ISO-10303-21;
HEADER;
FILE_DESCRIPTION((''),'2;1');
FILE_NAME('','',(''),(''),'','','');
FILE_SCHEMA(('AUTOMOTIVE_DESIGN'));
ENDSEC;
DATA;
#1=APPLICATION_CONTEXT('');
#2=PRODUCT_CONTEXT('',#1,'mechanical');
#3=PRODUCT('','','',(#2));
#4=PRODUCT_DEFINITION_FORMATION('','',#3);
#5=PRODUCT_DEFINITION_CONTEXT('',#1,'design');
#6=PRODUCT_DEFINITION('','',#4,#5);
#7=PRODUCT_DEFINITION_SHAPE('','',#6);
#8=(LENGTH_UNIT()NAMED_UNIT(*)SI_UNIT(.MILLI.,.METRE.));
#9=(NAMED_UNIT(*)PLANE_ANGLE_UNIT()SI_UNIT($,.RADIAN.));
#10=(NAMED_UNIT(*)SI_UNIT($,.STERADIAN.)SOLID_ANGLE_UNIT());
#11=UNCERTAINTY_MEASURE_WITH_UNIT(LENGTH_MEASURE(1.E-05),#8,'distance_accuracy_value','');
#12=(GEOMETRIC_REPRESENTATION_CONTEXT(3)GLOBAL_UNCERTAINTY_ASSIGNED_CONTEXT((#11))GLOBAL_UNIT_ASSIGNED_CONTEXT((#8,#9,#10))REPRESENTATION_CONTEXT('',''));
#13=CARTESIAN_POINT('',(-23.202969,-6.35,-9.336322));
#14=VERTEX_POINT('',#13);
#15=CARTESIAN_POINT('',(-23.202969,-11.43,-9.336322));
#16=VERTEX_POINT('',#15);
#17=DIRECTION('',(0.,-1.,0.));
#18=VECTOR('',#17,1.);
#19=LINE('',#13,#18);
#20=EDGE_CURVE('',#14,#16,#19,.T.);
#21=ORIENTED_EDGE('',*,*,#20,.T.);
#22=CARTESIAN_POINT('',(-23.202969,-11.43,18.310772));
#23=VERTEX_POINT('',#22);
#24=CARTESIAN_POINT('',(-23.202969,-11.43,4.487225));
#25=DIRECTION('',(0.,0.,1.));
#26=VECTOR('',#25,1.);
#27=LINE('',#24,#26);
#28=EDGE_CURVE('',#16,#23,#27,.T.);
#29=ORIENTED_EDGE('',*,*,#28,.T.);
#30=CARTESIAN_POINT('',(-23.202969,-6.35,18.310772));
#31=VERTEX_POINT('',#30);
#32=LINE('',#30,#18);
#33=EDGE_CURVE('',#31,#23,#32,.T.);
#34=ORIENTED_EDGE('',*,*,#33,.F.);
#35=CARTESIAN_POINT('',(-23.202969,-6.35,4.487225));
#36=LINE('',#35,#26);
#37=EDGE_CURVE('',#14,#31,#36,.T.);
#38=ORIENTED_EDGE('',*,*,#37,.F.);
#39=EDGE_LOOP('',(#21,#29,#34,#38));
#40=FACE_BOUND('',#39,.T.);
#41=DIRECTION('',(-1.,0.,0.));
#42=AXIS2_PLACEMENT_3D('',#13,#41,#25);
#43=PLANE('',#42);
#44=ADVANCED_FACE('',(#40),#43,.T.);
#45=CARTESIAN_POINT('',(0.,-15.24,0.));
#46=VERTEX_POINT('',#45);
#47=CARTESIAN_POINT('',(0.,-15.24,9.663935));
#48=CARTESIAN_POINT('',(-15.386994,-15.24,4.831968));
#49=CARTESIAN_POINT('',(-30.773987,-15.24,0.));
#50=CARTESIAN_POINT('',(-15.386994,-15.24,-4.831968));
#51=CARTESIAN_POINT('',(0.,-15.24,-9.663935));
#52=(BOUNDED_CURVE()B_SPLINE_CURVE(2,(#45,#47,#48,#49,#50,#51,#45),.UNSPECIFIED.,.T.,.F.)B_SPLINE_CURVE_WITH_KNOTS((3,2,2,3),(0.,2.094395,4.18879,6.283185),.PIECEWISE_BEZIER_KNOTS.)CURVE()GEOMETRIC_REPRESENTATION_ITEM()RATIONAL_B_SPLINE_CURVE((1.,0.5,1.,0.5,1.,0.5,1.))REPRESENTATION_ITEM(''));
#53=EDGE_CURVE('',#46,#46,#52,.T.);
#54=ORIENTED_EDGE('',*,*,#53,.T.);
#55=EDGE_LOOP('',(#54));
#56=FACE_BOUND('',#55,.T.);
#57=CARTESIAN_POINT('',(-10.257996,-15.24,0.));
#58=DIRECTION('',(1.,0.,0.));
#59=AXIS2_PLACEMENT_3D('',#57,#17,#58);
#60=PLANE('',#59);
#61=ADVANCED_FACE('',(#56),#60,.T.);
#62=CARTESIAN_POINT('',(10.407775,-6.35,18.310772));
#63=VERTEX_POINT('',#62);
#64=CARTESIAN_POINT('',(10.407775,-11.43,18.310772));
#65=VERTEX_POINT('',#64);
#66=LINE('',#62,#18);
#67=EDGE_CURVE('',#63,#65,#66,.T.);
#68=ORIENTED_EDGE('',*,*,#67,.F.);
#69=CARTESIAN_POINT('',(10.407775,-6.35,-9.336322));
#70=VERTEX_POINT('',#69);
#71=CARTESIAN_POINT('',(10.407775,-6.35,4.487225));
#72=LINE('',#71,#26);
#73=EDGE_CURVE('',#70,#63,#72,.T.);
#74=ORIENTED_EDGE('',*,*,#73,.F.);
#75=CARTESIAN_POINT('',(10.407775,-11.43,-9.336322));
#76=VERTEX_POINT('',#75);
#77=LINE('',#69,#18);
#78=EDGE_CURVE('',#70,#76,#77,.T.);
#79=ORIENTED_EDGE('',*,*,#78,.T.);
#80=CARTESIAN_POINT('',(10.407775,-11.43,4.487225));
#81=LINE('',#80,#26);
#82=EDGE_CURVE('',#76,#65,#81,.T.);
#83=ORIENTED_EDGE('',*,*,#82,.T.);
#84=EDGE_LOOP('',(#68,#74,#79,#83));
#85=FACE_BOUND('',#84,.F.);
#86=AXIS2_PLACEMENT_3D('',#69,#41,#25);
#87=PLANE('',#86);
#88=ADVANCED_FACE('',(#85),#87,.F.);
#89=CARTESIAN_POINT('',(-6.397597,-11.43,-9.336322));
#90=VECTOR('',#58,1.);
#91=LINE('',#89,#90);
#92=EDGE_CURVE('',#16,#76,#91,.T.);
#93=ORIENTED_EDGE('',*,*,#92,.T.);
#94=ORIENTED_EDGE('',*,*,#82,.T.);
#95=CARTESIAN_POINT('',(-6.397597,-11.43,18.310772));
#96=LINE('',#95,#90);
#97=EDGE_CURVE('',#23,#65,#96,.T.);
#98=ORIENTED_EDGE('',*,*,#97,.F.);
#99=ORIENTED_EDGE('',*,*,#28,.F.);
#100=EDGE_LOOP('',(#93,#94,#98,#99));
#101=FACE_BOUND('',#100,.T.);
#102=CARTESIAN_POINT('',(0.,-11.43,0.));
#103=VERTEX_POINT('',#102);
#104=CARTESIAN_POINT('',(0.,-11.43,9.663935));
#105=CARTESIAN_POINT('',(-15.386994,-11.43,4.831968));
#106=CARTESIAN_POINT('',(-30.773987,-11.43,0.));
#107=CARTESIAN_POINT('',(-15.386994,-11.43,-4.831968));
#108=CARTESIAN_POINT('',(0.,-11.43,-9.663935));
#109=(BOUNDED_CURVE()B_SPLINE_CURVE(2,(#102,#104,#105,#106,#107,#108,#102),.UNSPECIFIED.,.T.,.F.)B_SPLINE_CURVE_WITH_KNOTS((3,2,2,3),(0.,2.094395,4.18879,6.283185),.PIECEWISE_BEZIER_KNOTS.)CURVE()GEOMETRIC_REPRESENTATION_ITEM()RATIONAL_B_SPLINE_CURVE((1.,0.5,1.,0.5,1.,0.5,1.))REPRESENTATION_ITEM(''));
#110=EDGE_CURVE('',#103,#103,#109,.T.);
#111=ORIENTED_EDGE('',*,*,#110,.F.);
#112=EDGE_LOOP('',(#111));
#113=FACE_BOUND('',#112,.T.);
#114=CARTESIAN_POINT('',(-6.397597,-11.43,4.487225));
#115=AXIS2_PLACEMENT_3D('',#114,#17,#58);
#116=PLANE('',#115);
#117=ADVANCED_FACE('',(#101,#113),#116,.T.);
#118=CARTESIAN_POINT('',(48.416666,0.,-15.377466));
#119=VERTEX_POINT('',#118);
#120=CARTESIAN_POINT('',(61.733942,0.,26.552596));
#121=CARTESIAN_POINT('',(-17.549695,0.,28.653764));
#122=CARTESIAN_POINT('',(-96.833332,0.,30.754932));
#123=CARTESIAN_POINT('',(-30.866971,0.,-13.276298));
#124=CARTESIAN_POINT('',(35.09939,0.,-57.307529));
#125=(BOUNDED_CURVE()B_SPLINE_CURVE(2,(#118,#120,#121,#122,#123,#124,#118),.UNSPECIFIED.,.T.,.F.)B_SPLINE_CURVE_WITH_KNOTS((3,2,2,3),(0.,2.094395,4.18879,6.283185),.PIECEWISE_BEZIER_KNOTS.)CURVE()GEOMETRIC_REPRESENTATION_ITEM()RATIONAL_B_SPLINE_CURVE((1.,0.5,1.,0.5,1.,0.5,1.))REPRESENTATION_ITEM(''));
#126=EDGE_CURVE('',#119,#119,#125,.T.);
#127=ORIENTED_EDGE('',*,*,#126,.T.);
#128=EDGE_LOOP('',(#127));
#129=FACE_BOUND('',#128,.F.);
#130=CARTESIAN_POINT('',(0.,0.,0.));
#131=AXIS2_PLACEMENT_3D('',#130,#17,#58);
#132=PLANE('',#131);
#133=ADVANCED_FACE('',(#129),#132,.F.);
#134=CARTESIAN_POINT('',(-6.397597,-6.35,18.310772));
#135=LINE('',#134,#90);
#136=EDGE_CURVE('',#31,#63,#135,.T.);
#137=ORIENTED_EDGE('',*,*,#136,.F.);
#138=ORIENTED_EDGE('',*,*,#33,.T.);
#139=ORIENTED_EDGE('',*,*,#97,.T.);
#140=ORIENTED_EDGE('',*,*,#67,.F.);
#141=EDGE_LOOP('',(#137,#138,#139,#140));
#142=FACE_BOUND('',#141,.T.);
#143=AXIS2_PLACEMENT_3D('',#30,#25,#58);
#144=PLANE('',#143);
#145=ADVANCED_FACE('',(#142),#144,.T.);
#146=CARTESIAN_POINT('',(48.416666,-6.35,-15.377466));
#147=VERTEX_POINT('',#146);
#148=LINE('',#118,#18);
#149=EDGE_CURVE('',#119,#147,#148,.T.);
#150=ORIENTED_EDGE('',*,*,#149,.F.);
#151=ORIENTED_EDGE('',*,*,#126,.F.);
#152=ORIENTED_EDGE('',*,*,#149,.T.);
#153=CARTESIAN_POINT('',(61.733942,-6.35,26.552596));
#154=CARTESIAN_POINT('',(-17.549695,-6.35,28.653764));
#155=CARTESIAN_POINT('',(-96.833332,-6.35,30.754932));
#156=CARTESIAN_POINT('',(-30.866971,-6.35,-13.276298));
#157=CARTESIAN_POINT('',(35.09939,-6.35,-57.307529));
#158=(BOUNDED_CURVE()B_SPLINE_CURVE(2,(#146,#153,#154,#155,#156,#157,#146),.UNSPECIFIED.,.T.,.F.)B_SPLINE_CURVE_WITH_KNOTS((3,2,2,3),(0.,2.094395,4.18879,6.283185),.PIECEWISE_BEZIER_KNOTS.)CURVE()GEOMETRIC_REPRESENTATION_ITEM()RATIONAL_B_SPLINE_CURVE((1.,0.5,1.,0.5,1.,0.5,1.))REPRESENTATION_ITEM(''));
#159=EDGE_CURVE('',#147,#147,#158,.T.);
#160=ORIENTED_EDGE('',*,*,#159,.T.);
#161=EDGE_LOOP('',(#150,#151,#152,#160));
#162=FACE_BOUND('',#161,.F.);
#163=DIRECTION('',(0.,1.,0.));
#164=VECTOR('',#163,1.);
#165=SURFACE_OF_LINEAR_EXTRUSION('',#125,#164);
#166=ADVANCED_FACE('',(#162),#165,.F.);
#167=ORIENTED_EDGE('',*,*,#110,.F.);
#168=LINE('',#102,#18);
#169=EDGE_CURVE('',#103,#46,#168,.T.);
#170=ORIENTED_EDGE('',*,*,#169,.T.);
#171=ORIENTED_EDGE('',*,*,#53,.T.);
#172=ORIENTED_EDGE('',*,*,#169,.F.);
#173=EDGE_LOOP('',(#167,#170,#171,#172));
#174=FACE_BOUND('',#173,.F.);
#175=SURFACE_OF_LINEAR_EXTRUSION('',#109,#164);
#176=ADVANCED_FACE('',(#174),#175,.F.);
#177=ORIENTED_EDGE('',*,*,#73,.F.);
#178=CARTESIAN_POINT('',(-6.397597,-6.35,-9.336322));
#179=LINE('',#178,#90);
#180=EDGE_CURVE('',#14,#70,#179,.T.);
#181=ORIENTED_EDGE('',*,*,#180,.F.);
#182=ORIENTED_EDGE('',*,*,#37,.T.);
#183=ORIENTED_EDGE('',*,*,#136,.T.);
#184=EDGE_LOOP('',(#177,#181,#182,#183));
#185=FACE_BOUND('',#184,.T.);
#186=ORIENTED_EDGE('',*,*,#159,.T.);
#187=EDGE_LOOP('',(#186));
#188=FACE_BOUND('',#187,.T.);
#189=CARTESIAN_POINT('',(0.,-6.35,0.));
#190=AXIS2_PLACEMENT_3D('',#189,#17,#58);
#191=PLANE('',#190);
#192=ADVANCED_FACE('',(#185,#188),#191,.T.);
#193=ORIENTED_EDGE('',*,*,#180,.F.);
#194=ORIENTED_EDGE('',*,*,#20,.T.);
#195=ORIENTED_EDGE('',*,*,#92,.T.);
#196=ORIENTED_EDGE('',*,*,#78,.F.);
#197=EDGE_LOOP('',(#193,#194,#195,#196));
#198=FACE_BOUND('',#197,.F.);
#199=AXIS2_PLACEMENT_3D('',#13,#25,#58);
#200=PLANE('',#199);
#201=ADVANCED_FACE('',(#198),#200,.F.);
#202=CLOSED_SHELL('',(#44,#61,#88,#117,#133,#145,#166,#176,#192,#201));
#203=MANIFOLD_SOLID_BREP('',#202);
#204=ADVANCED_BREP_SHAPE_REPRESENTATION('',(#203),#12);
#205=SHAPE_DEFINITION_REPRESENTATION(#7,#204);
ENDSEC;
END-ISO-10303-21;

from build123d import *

# Parameters (mm, degrees)
F1_DEPTH = 6.35
F2_W     = 33.610743
F2_H     = 27.647094
F3_DEPTH = 5.08
F5_DEPTH = 3.81


with BuildPart() as f1:
    # F0 (on Front) → F1 (new body)
    with BuildSketch(Plane.XZ):
        with BuildLine():
            add(Edge.make_bspline(
                [(48.416666, -15.377466), (61.733942, 26.552596), (-17.549695, 28.653764), (-96.833332, 30.754932), (-30.866971, -13.276298), (35.09939, -57.307529), (48.416666, -15.377466)],
                knots=[0, 0, 0, 2.094395, 2.094395, 4.18879, 4.18879, 6.283185, 6.283185, 6.283185], degree=2, weights=[1, 0.5, 1, 0.5, 1, 0.5, 1]))
        make_face()
    extrude(amount=F1_DEPTH)

    # F2 (on face) → F3 (join)
    with BuildSketch(Plane.XZ.offset(6.35)):
        with Locations((-6.397597, 4.487225)):
            Rectangle(F2_W, F2_H)
    extrude(amount=F3_DEPTH)

    # F4 (on face) → F5 (join)
    with BuildSketch(Plane.XZ.offset(11.43)):
        with BuildLine():
            add(Edge.make_bspline(
                [(0, 0), (0, 9.663935), (-15.386994, 4.831968), (-30.773987, 0), (-15.386994, -4.831968), (0, -9.663935), (0, 0)],
                knots=[0, 0, 0, 2.094395, 2.094395, 4.18879, 4.18879, 6.283185, 6.283185, 6.283185], degree=2, weights=[1, 0.5, 1, 0.5, 1, 0.5, 1]))
        make_face()
    extrude(amount=F5_DEPTH)


solid = f1.part
